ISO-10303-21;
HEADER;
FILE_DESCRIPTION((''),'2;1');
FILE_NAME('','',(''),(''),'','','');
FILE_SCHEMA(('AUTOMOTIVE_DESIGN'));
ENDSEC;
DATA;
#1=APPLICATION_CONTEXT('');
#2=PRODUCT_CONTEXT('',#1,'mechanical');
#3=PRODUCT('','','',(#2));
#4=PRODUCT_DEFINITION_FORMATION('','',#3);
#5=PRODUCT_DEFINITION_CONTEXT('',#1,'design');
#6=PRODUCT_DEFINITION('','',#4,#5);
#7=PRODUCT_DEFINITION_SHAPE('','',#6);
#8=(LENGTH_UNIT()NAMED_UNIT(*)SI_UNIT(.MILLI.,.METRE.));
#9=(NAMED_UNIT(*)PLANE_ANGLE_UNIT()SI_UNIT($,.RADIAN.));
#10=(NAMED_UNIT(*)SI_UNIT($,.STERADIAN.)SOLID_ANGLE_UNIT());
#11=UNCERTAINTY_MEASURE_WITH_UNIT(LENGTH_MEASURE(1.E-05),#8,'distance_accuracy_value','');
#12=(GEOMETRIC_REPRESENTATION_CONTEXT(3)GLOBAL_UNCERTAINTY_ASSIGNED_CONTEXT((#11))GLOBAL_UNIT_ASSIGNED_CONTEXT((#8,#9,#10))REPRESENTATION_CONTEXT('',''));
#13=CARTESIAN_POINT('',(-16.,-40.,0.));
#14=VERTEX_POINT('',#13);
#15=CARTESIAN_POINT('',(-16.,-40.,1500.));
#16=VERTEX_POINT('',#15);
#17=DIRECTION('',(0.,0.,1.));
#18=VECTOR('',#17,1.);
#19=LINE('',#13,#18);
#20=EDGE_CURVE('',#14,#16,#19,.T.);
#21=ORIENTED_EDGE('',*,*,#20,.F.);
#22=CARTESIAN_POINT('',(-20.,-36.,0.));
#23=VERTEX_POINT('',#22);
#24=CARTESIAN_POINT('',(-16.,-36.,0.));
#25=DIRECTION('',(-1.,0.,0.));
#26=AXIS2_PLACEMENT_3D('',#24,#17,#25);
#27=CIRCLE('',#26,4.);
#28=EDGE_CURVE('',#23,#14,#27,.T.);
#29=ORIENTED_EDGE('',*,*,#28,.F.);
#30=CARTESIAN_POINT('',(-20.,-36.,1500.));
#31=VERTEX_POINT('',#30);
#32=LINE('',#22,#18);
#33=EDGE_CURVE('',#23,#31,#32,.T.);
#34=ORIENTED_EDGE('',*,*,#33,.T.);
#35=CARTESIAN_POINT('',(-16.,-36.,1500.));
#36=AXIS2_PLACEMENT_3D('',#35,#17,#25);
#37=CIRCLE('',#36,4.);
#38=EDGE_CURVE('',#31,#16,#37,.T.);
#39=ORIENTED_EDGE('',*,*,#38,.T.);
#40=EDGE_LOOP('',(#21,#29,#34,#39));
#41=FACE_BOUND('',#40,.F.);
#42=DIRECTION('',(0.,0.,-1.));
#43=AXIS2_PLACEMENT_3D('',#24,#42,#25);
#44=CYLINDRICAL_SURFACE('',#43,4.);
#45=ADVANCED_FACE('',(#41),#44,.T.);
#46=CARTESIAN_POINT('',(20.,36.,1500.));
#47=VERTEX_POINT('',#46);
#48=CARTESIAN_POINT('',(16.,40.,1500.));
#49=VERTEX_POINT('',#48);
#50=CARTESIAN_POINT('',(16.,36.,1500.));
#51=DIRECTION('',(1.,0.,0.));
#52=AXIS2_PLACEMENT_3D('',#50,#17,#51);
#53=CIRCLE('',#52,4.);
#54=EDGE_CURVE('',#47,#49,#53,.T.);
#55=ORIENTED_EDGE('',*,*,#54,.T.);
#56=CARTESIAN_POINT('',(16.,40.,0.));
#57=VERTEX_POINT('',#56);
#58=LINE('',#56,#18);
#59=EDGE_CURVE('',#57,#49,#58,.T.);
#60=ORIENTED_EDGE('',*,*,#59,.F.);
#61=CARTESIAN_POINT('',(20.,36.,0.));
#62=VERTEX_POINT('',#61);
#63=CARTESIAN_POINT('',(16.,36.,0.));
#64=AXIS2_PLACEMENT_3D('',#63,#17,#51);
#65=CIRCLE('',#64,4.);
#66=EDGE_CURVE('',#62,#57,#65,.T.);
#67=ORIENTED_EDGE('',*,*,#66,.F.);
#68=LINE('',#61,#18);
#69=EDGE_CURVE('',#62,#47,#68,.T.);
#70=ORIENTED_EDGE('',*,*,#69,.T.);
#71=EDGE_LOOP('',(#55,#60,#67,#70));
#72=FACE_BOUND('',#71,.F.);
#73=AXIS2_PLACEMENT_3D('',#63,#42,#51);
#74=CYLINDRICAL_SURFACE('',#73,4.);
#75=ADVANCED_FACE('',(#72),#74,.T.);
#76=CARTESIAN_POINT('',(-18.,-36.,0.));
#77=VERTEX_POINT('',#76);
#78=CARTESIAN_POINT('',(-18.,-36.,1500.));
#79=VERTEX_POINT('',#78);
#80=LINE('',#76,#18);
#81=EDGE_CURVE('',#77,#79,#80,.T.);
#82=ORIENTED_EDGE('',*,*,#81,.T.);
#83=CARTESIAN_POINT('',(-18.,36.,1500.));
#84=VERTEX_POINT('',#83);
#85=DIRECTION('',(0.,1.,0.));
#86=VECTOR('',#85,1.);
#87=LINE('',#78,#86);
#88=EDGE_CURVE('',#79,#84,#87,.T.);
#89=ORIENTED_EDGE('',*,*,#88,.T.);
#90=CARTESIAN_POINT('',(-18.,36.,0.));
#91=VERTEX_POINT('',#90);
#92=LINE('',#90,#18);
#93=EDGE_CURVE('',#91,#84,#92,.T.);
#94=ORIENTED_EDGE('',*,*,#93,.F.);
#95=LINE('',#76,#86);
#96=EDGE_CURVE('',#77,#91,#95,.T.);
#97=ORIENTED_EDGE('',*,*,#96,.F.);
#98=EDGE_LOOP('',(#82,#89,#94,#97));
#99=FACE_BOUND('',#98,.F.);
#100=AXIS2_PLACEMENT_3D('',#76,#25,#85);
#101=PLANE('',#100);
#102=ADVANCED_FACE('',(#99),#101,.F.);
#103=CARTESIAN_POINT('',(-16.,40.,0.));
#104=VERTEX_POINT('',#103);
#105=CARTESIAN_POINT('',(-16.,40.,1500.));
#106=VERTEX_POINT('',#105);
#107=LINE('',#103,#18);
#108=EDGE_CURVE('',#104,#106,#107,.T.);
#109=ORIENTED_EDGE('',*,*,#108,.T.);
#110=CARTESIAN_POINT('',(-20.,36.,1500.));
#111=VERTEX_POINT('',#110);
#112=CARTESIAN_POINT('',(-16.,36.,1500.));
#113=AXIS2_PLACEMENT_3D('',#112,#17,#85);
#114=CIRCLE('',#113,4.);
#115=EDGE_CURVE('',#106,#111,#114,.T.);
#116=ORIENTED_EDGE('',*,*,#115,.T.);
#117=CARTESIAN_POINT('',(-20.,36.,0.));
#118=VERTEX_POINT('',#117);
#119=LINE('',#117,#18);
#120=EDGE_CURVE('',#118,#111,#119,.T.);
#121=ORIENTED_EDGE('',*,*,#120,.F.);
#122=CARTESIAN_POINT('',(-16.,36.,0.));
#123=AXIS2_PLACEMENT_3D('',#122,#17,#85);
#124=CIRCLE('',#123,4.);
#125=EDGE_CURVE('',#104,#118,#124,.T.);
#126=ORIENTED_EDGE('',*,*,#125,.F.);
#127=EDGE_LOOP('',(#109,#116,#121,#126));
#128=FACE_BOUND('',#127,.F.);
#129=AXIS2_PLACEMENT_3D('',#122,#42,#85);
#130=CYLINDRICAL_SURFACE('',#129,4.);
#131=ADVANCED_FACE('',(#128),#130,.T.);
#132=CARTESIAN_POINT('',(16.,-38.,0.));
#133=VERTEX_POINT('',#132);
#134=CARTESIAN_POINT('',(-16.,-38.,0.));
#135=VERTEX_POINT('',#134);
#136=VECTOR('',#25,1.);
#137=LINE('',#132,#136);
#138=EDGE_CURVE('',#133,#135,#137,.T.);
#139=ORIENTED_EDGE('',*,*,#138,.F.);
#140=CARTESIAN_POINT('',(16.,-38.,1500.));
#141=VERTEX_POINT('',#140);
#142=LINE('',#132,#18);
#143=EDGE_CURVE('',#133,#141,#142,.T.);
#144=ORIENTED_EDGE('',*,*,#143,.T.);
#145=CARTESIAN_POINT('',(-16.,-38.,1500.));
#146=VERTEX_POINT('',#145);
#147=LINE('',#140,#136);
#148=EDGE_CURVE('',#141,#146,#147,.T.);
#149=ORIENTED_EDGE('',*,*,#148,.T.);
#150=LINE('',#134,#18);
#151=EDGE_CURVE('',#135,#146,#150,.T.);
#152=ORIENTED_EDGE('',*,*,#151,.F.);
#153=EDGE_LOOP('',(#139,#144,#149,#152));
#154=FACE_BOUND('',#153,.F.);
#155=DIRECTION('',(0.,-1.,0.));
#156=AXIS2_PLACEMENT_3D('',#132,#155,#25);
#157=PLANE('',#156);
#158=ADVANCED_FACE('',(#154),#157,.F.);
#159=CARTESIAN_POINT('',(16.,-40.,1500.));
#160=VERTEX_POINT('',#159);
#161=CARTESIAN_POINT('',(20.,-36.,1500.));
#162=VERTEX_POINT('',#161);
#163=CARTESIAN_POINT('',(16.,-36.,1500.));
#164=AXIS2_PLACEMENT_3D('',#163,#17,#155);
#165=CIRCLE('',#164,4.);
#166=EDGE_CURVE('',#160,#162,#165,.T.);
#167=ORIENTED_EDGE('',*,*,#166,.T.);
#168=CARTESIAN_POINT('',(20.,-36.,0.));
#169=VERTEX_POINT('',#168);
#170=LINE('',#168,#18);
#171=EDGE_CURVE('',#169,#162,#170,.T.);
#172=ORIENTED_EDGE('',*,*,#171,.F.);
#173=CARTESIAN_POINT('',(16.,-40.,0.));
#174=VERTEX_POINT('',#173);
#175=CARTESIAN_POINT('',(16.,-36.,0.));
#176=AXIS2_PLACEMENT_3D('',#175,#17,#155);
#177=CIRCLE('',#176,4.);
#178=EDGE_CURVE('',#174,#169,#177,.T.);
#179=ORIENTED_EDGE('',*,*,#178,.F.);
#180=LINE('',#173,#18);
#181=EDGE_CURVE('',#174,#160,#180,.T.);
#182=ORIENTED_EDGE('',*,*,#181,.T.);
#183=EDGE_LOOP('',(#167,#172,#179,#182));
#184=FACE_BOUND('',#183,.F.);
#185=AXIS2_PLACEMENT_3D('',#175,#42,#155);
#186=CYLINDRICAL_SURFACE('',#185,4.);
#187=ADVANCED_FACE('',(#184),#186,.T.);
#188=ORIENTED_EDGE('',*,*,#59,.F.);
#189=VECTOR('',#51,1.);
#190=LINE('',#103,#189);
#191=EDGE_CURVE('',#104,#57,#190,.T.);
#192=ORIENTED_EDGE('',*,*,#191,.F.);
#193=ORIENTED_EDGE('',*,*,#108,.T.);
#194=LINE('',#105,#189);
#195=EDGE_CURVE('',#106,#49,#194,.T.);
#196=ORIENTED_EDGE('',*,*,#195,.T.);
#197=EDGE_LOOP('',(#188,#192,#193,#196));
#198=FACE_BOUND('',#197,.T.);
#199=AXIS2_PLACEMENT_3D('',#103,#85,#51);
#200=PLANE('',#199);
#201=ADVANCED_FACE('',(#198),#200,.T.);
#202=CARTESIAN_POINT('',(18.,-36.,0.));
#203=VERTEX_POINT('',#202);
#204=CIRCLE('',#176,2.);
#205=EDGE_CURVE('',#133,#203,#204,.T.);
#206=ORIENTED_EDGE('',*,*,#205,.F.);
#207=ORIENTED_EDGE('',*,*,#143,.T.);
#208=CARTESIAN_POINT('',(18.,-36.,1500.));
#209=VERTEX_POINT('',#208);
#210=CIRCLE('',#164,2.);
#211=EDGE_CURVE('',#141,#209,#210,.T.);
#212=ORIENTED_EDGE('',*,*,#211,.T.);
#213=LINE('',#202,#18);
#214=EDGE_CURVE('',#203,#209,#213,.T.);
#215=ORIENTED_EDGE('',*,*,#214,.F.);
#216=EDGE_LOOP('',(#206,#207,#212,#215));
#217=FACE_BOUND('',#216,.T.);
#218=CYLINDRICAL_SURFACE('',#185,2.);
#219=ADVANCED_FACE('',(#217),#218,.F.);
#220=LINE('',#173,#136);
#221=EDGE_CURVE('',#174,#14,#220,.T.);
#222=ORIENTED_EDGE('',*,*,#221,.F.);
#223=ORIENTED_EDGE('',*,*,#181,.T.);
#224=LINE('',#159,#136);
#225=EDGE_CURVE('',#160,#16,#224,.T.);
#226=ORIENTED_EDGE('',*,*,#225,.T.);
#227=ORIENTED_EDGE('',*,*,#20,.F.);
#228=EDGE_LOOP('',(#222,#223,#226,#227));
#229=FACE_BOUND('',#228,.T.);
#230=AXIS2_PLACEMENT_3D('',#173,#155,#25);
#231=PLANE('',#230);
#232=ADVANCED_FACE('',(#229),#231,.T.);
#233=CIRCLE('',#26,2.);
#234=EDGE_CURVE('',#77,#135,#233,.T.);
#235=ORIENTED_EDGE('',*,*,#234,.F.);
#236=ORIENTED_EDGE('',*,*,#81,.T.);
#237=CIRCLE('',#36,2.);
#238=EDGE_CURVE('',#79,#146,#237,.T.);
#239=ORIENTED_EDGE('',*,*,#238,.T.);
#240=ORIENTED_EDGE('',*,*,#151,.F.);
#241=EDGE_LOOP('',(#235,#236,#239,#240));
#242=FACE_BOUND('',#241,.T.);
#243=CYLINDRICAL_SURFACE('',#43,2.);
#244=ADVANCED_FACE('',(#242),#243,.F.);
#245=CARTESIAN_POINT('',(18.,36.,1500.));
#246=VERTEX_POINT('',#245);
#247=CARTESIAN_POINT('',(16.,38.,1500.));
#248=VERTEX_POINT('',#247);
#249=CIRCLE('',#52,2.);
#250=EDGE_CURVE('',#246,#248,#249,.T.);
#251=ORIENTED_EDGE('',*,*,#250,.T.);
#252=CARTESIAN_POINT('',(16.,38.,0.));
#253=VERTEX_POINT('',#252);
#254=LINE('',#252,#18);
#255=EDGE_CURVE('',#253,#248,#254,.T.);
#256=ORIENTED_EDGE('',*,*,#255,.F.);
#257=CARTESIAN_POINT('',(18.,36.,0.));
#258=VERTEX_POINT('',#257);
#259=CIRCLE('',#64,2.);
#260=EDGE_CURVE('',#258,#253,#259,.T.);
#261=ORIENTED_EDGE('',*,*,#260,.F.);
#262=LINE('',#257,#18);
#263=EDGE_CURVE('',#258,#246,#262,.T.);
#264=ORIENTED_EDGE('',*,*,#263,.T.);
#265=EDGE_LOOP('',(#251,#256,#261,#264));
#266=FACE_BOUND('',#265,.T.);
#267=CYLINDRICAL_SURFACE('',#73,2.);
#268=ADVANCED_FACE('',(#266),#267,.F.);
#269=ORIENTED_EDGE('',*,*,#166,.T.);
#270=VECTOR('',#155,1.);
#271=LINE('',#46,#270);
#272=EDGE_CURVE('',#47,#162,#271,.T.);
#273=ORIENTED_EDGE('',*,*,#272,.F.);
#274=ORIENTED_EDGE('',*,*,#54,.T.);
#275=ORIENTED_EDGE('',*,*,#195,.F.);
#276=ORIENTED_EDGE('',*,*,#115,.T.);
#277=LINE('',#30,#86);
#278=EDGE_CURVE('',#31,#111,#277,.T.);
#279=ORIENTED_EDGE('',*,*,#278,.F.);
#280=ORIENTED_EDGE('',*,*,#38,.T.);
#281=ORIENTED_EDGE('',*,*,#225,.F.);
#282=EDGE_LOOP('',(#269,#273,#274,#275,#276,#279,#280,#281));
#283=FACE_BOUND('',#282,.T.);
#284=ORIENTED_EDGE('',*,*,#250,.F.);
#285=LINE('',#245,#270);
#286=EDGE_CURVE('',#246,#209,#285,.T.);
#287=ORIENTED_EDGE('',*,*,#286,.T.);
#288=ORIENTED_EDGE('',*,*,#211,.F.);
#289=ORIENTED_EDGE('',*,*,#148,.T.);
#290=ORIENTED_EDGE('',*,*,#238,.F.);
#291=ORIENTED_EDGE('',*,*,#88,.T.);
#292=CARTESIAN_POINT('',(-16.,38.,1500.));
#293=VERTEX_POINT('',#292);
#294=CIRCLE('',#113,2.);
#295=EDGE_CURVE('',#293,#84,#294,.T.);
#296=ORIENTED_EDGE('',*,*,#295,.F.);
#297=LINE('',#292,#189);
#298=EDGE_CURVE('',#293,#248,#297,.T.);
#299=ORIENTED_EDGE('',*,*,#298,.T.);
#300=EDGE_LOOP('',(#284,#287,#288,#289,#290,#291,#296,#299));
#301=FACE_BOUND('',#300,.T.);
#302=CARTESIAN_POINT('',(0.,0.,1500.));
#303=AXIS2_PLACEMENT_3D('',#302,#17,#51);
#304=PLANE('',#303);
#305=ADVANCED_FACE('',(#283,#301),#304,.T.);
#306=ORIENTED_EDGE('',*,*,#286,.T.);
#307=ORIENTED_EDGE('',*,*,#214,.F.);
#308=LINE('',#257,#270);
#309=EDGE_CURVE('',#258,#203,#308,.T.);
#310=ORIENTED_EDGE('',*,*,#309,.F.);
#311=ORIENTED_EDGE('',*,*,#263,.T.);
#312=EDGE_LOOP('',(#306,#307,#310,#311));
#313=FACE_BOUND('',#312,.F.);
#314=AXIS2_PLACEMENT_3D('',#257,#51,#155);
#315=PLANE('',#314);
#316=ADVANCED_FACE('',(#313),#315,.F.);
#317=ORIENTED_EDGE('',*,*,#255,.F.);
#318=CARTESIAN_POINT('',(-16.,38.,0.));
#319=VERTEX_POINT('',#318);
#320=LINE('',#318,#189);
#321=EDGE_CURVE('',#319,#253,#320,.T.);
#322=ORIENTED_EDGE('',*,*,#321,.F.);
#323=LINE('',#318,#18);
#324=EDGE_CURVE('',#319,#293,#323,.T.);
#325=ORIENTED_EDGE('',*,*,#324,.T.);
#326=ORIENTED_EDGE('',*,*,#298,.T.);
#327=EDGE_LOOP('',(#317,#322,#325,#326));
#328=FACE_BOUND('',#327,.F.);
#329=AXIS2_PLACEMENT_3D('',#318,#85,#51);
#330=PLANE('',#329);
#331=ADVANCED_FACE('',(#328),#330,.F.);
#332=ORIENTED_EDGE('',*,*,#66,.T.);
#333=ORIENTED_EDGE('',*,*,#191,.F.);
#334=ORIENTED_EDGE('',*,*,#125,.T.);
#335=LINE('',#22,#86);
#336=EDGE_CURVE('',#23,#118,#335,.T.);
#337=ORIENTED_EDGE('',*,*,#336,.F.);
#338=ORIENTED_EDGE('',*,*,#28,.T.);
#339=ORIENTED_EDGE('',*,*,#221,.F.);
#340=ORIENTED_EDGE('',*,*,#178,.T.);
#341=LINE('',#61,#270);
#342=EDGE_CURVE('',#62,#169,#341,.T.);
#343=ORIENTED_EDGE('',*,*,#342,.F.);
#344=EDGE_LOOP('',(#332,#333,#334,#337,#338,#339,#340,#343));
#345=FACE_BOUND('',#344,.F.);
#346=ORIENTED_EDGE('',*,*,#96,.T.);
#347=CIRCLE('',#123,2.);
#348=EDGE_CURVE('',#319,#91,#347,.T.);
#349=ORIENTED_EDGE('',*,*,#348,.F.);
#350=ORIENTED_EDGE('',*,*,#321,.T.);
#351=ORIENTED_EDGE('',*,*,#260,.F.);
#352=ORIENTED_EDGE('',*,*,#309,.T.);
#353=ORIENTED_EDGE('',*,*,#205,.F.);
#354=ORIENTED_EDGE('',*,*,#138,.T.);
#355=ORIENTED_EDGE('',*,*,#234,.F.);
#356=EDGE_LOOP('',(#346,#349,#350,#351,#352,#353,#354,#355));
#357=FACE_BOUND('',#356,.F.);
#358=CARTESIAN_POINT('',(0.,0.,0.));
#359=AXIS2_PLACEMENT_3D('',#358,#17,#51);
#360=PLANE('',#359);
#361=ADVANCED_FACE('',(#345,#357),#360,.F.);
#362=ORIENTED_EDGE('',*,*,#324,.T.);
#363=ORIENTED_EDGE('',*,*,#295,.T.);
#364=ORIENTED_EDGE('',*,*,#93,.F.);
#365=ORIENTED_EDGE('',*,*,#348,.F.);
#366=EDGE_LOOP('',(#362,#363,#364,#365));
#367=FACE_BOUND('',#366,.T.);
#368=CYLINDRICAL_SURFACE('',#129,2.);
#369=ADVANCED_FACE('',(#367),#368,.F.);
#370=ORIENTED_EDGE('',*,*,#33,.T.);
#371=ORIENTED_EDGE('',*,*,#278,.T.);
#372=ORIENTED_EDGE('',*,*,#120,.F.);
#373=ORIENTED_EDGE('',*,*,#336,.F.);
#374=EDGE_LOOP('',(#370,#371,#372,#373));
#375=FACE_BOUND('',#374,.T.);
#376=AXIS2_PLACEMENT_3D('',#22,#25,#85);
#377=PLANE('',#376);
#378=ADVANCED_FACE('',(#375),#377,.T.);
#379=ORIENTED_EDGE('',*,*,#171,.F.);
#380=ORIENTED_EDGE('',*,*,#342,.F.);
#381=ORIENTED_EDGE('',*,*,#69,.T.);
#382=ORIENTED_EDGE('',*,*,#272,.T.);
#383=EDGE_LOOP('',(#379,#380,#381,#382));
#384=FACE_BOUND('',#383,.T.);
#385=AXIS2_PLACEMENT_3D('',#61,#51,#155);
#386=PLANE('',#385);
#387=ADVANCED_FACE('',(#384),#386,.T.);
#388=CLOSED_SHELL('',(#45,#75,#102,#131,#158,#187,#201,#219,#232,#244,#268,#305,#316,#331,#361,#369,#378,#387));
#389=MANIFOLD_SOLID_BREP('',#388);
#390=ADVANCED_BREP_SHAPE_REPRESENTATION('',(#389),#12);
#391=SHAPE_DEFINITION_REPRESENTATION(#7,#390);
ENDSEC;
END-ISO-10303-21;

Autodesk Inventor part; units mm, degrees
ref_plane "YZ Plane" through (0, 0, 0) normal (1, 0, 0) x (0, 1, 0)
ref_plane "Start plane" through (0, 0, 0) normal (0, 0, 1) x (1, 0, 0)
ref_plane "End plane" through (0, 0, 1500) normal (0, 0, 1) x (1, 0, 0)
sketch "Sketch" plane through (0, 0, 0) normal (0, 0, 1) x (1, 0, 0)
  line L0 (-20, -36) -> (-20, 36)
  line L1 (-16, 40) -> (16, 40)
  line L2 (20, 36) -> (20, -36)
  line L3 (16, -40) -> (-16, -40)
  arc A0 (-20, -36) -> (-16, -40) centre (-16, -36) ccw
  arc A1 (20, 36) -> (16, 40) centre (16, 36) ccw
  arc A2 (-16, 40) -> (-20, 36) centre (-16, 36) ccw
  arc A3 (16, -40) -> (20, -36) centre (16, -36) ccw
  arc A4 (-16, 38) -> (-18, 36) centre (-16, 36) ccw
  line L4 (-16, 38) -> (16, 38)
  arc A5 (18, 36) -> (16, 38) centre (16, 36) ccw
  line L5 (18, 36) -> (18, -36)
  arc A6 (16, -38) -> (18, -36) centre (16, -36) ccw
  line L6 (16, -38) -> (-16, -38)
  arc A7 (-18, -36) -> (-16, -38) centre (-16, -36) ccw
  line L7 (-18, -36) -> (-18, 36)
  line L8 (0, 37.1021) -> (0, -37.1021) construction
  line L9 (-23.1021, 0) -> (23.1021, 0) construction
  dimension "d7" = 4
  dimension "d9" = 40
  dimension "d11" = 80
  dimension "d12" = 2
  dimension "d15" = 20
  dimension "d16" = 40
extrude "Body" add sketch "Sketch" along normal up to surface (1500 mm away) from surface at 0
sketch "Sketch3" plane through (0, 0, 0) normal (0, 0, 1) x (1, 0, 0)
  line L0 (0, 0) -> (10, 0)
ref_plane "Work Plane3" through (0, 0, 0) normal (0, -1, 0) x (1, 0, 0)
sketch "Sketch4" plane through (0, 0, 0) normal (0, -1, 0) x (1, 0, 0)
  line L0 (-2, 0) -> (12, 0) projected
  line L1 (-2, 1500) -> (12, 1500) projected
  dimension "d18" = 1500
equation "\"d7\" = G_IR"
equation "\"d9\" = G_W"
equation "\"d11\" = G_H"
equation "\"d12\" = G_T"
equation "\"d15\" = 0.5 * d9"
equation "\"d16\" = 0.5 * d11"
equation "\"d3\" = G_L"
equation "\"G_W\" = 40"
equation "\"G_H\" = 80"
equation "\"G_T\" = 2"
equation "\"G_IR\" = 4"
equation "\"G_L\" = d18"
equation "\"G_OFFSET_START\" = 0"
equation "\"G_OFFSET_END\" = 0"
properties part number "ISO 4019 - 80x40x2 - 1500" material "Steel, Mild"
